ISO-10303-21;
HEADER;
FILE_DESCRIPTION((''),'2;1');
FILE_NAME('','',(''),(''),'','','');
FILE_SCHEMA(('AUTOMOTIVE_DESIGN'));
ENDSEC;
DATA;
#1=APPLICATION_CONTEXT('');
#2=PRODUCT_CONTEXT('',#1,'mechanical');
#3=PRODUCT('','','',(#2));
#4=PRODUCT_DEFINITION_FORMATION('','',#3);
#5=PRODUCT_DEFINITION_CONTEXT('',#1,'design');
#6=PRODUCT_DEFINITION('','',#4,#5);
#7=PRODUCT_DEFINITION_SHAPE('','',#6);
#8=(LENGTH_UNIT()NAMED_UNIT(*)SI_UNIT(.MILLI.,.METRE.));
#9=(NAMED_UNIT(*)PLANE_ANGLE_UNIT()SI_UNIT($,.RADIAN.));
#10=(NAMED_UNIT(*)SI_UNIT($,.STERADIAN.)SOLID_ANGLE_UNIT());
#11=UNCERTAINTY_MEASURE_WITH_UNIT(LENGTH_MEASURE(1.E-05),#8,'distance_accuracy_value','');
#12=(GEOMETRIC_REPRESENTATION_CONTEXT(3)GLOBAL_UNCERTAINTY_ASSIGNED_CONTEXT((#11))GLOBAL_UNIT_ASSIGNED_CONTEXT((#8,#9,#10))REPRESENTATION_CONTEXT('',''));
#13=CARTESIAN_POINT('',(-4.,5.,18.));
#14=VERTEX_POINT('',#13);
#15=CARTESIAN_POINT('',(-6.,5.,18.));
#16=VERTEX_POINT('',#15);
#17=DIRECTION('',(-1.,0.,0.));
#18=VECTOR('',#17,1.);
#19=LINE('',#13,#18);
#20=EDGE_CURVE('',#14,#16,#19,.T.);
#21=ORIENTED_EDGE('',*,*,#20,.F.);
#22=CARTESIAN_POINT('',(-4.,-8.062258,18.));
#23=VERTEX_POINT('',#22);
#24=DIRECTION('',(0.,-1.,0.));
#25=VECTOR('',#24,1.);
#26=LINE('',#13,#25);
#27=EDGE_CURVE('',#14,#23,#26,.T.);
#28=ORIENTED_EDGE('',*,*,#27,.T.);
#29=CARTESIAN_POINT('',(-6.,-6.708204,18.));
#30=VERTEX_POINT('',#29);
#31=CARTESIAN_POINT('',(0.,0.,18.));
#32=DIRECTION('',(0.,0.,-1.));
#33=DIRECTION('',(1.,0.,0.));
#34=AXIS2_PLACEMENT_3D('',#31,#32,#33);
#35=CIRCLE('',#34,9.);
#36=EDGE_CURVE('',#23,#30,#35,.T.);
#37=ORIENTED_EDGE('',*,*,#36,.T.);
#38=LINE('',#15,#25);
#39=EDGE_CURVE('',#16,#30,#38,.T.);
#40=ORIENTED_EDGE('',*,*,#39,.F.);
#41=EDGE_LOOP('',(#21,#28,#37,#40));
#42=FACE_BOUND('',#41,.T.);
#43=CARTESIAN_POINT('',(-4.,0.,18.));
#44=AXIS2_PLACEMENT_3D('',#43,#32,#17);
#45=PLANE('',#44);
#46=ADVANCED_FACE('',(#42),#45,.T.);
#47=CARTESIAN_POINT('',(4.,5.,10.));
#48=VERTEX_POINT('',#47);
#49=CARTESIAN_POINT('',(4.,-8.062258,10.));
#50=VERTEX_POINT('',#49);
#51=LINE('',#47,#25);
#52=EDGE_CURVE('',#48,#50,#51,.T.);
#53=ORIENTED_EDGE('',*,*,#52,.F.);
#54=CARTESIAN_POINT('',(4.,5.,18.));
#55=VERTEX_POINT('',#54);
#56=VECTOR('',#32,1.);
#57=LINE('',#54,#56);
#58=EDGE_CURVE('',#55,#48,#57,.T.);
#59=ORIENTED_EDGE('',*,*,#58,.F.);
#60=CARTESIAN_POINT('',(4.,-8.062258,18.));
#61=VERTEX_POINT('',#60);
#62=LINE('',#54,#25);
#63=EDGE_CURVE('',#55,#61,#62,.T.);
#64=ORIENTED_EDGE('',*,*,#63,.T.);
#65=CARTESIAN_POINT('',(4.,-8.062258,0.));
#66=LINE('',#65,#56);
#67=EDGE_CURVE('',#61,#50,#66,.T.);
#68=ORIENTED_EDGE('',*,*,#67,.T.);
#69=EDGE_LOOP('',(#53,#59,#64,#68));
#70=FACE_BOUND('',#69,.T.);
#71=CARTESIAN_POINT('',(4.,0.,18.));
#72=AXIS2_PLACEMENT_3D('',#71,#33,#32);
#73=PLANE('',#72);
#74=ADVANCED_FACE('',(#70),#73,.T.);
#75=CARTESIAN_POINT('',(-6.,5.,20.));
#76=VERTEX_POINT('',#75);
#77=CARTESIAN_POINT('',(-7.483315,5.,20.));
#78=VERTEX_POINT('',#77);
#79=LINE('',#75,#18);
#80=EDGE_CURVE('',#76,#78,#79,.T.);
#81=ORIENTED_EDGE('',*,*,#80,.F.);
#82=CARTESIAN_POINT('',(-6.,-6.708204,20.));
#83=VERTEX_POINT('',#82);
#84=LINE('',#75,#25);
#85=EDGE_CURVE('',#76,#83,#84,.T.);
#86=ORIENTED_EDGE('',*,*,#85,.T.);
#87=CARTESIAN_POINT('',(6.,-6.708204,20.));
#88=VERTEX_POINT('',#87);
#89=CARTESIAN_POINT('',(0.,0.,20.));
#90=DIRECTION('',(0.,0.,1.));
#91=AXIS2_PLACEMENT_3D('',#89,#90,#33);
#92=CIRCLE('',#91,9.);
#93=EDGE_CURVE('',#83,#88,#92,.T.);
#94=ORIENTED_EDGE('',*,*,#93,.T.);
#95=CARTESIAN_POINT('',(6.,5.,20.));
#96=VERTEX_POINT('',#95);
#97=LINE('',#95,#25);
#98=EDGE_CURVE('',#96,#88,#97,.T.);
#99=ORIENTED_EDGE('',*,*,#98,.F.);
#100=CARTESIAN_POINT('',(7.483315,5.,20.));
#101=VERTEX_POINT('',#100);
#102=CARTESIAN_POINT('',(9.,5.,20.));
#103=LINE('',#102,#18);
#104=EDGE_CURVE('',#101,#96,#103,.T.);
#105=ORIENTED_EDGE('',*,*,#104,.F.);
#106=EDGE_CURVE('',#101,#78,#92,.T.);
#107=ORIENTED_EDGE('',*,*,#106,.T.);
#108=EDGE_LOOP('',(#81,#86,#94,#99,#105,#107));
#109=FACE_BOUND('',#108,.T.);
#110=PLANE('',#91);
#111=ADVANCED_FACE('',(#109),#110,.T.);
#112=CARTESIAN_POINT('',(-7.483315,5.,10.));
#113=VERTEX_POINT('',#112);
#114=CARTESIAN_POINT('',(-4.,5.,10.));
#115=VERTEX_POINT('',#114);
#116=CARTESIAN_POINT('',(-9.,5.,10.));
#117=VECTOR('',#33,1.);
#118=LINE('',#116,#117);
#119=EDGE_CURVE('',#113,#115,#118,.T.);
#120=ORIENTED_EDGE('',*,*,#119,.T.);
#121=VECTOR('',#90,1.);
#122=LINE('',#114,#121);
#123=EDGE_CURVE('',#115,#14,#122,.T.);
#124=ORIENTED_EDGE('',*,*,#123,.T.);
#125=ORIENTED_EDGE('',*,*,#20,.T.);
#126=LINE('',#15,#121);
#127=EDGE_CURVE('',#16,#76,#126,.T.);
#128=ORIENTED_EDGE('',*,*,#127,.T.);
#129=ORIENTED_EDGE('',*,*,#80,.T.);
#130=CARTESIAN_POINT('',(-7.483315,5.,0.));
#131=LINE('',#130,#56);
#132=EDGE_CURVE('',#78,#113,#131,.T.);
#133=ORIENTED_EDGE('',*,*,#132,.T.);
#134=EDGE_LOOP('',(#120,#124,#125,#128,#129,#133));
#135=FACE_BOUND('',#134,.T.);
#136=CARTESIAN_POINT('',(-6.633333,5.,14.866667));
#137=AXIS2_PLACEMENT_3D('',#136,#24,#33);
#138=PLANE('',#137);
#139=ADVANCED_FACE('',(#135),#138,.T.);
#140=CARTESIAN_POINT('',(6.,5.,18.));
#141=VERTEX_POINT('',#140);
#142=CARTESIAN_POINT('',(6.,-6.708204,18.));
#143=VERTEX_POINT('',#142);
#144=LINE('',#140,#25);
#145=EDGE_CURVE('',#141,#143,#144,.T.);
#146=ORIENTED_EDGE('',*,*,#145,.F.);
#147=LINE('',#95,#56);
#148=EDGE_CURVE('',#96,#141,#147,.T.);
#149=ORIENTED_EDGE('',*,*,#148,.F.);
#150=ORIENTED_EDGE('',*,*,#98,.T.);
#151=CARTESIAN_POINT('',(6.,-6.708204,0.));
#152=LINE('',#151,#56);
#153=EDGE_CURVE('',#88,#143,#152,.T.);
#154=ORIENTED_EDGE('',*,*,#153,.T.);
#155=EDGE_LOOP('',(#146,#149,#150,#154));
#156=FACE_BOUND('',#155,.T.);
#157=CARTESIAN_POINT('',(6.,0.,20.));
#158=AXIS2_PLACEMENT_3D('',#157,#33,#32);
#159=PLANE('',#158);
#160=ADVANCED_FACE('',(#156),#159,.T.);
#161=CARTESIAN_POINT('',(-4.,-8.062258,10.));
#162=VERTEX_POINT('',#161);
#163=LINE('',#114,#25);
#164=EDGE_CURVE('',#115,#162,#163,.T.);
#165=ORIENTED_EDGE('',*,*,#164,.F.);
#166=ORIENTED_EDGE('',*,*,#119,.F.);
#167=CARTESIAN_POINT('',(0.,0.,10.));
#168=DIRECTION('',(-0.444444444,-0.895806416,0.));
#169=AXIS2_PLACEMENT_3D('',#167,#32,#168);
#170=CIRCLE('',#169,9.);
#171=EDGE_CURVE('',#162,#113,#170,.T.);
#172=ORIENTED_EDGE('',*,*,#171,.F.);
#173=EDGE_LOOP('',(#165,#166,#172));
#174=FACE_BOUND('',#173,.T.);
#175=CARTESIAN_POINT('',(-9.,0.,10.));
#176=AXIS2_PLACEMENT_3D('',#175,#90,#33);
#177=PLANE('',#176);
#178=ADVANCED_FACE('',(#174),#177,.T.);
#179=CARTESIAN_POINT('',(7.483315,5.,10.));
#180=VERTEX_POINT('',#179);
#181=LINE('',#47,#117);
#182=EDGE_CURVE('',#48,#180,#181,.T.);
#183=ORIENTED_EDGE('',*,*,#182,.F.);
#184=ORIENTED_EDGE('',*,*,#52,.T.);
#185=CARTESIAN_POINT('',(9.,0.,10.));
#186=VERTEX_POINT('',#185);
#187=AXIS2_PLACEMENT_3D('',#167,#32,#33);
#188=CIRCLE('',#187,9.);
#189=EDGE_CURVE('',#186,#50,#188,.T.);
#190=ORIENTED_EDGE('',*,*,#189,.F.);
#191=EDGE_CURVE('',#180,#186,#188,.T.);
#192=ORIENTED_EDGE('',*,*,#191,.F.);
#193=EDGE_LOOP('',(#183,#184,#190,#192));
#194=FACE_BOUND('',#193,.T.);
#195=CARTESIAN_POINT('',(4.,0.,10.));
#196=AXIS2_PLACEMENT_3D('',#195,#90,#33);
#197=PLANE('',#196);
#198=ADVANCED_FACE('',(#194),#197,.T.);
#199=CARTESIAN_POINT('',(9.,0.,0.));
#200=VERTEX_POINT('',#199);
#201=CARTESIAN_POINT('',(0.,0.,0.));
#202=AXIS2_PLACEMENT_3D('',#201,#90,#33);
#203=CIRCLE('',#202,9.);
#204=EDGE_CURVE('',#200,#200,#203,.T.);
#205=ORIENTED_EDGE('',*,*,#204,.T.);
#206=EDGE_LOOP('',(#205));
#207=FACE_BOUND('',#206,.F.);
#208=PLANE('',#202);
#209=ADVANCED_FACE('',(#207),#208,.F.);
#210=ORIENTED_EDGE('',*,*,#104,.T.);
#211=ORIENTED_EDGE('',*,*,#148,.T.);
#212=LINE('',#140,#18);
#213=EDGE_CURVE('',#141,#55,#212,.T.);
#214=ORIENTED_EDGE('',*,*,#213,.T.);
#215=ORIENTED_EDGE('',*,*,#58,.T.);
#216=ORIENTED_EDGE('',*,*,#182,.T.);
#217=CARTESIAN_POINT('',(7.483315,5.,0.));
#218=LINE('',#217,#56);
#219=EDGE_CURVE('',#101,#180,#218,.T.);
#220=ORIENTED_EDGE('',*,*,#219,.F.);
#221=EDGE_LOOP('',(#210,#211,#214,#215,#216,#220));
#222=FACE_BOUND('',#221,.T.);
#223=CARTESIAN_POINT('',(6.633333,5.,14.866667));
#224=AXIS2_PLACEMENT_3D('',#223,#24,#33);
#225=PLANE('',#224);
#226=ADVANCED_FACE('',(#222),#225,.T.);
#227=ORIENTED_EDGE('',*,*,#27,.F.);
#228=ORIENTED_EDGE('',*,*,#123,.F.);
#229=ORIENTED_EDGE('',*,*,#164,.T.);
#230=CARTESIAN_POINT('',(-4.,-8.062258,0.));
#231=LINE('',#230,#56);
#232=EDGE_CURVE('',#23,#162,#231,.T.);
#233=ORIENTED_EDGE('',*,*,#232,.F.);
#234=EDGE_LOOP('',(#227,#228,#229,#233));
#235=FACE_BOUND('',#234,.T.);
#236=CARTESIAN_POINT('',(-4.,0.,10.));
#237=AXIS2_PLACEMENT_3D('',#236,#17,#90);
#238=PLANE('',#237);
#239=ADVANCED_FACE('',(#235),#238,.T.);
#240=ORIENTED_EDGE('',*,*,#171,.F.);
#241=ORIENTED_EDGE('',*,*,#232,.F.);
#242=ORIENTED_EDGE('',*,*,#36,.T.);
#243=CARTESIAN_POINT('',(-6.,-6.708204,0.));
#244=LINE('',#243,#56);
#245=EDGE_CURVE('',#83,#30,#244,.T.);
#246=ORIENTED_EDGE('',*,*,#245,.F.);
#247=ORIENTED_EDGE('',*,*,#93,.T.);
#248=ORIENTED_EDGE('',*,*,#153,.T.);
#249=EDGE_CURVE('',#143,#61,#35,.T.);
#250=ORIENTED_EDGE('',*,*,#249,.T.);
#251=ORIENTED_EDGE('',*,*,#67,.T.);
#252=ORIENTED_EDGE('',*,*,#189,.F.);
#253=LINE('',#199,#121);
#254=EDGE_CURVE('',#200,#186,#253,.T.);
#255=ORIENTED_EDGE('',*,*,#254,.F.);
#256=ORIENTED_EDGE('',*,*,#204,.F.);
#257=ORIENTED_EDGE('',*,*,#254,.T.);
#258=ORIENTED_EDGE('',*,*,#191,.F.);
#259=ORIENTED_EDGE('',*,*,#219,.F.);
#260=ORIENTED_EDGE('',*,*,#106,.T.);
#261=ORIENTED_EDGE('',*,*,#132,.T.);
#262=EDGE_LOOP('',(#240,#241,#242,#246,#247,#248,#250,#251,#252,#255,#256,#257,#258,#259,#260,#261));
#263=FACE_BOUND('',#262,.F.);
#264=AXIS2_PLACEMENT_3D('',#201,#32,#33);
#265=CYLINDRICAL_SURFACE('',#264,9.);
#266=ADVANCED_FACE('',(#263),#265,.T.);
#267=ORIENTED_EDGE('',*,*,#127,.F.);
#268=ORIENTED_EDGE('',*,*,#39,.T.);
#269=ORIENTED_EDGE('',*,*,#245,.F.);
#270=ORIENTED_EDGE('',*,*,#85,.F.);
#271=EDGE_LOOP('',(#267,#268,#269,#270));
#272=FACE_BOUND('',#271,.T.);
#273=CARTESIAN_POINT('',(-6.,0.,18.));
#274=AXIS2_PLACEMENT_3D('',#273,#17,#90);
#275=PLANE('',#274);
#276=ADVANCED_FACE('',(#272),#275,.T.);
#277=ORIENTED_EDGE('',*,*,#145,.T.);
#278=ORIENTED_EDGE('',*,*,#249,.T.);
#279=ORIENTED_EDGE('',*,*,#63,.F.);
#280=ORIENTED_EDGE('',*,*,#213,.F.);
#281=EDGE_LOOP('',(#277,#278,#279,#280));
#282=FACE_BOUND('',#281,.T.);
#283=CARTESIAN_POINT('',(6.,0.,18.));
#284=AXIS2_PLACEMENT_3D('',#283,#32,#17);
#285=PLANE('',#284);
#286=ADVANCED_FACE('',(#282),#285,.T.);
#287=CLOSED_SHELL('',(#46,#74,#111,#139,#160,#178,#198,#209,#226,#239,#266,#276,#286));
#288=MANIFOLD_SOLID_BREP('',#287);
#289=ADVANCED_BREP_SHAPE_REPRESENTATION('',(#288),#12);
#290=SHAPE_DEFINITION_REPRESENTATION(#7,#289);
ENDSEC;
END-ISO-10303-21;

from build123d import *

# Parameters (mm, degrees)
F0_R          = 9
F1_DEPTH      = 20
F3_DEPTH      = 5
F3_DEPTH_BACK = 25


with BuildPart() as f1:
    # F0 (on Top) → F1 (new body)
    with BuildSketch(Plane.XY):
        Circle(F0_R)
    extrude(amount=F1_DEPTH)

    # F2 (on Front) → F3 (cut, two sides)
    with BuildSketch(Plane.XZ) as f3_sk:
        Polygon((6, 18), (4, 18), (4, 10), (9, 10), (9, 20), (6, 20), align=None)
        Polygon((-6, 18), (-6, 20), (-9, 20), (-9, 10), (-4, 10), (-4, 18), align=None)
    extrude(amount=-F3_DEPTH, mode=Mode.SUBTRACT)
    extrude(f3_sk.sketch, amount=F3_DEPTH_BACK, mode=Mode.SUBTRACT)


solid = f1.part
